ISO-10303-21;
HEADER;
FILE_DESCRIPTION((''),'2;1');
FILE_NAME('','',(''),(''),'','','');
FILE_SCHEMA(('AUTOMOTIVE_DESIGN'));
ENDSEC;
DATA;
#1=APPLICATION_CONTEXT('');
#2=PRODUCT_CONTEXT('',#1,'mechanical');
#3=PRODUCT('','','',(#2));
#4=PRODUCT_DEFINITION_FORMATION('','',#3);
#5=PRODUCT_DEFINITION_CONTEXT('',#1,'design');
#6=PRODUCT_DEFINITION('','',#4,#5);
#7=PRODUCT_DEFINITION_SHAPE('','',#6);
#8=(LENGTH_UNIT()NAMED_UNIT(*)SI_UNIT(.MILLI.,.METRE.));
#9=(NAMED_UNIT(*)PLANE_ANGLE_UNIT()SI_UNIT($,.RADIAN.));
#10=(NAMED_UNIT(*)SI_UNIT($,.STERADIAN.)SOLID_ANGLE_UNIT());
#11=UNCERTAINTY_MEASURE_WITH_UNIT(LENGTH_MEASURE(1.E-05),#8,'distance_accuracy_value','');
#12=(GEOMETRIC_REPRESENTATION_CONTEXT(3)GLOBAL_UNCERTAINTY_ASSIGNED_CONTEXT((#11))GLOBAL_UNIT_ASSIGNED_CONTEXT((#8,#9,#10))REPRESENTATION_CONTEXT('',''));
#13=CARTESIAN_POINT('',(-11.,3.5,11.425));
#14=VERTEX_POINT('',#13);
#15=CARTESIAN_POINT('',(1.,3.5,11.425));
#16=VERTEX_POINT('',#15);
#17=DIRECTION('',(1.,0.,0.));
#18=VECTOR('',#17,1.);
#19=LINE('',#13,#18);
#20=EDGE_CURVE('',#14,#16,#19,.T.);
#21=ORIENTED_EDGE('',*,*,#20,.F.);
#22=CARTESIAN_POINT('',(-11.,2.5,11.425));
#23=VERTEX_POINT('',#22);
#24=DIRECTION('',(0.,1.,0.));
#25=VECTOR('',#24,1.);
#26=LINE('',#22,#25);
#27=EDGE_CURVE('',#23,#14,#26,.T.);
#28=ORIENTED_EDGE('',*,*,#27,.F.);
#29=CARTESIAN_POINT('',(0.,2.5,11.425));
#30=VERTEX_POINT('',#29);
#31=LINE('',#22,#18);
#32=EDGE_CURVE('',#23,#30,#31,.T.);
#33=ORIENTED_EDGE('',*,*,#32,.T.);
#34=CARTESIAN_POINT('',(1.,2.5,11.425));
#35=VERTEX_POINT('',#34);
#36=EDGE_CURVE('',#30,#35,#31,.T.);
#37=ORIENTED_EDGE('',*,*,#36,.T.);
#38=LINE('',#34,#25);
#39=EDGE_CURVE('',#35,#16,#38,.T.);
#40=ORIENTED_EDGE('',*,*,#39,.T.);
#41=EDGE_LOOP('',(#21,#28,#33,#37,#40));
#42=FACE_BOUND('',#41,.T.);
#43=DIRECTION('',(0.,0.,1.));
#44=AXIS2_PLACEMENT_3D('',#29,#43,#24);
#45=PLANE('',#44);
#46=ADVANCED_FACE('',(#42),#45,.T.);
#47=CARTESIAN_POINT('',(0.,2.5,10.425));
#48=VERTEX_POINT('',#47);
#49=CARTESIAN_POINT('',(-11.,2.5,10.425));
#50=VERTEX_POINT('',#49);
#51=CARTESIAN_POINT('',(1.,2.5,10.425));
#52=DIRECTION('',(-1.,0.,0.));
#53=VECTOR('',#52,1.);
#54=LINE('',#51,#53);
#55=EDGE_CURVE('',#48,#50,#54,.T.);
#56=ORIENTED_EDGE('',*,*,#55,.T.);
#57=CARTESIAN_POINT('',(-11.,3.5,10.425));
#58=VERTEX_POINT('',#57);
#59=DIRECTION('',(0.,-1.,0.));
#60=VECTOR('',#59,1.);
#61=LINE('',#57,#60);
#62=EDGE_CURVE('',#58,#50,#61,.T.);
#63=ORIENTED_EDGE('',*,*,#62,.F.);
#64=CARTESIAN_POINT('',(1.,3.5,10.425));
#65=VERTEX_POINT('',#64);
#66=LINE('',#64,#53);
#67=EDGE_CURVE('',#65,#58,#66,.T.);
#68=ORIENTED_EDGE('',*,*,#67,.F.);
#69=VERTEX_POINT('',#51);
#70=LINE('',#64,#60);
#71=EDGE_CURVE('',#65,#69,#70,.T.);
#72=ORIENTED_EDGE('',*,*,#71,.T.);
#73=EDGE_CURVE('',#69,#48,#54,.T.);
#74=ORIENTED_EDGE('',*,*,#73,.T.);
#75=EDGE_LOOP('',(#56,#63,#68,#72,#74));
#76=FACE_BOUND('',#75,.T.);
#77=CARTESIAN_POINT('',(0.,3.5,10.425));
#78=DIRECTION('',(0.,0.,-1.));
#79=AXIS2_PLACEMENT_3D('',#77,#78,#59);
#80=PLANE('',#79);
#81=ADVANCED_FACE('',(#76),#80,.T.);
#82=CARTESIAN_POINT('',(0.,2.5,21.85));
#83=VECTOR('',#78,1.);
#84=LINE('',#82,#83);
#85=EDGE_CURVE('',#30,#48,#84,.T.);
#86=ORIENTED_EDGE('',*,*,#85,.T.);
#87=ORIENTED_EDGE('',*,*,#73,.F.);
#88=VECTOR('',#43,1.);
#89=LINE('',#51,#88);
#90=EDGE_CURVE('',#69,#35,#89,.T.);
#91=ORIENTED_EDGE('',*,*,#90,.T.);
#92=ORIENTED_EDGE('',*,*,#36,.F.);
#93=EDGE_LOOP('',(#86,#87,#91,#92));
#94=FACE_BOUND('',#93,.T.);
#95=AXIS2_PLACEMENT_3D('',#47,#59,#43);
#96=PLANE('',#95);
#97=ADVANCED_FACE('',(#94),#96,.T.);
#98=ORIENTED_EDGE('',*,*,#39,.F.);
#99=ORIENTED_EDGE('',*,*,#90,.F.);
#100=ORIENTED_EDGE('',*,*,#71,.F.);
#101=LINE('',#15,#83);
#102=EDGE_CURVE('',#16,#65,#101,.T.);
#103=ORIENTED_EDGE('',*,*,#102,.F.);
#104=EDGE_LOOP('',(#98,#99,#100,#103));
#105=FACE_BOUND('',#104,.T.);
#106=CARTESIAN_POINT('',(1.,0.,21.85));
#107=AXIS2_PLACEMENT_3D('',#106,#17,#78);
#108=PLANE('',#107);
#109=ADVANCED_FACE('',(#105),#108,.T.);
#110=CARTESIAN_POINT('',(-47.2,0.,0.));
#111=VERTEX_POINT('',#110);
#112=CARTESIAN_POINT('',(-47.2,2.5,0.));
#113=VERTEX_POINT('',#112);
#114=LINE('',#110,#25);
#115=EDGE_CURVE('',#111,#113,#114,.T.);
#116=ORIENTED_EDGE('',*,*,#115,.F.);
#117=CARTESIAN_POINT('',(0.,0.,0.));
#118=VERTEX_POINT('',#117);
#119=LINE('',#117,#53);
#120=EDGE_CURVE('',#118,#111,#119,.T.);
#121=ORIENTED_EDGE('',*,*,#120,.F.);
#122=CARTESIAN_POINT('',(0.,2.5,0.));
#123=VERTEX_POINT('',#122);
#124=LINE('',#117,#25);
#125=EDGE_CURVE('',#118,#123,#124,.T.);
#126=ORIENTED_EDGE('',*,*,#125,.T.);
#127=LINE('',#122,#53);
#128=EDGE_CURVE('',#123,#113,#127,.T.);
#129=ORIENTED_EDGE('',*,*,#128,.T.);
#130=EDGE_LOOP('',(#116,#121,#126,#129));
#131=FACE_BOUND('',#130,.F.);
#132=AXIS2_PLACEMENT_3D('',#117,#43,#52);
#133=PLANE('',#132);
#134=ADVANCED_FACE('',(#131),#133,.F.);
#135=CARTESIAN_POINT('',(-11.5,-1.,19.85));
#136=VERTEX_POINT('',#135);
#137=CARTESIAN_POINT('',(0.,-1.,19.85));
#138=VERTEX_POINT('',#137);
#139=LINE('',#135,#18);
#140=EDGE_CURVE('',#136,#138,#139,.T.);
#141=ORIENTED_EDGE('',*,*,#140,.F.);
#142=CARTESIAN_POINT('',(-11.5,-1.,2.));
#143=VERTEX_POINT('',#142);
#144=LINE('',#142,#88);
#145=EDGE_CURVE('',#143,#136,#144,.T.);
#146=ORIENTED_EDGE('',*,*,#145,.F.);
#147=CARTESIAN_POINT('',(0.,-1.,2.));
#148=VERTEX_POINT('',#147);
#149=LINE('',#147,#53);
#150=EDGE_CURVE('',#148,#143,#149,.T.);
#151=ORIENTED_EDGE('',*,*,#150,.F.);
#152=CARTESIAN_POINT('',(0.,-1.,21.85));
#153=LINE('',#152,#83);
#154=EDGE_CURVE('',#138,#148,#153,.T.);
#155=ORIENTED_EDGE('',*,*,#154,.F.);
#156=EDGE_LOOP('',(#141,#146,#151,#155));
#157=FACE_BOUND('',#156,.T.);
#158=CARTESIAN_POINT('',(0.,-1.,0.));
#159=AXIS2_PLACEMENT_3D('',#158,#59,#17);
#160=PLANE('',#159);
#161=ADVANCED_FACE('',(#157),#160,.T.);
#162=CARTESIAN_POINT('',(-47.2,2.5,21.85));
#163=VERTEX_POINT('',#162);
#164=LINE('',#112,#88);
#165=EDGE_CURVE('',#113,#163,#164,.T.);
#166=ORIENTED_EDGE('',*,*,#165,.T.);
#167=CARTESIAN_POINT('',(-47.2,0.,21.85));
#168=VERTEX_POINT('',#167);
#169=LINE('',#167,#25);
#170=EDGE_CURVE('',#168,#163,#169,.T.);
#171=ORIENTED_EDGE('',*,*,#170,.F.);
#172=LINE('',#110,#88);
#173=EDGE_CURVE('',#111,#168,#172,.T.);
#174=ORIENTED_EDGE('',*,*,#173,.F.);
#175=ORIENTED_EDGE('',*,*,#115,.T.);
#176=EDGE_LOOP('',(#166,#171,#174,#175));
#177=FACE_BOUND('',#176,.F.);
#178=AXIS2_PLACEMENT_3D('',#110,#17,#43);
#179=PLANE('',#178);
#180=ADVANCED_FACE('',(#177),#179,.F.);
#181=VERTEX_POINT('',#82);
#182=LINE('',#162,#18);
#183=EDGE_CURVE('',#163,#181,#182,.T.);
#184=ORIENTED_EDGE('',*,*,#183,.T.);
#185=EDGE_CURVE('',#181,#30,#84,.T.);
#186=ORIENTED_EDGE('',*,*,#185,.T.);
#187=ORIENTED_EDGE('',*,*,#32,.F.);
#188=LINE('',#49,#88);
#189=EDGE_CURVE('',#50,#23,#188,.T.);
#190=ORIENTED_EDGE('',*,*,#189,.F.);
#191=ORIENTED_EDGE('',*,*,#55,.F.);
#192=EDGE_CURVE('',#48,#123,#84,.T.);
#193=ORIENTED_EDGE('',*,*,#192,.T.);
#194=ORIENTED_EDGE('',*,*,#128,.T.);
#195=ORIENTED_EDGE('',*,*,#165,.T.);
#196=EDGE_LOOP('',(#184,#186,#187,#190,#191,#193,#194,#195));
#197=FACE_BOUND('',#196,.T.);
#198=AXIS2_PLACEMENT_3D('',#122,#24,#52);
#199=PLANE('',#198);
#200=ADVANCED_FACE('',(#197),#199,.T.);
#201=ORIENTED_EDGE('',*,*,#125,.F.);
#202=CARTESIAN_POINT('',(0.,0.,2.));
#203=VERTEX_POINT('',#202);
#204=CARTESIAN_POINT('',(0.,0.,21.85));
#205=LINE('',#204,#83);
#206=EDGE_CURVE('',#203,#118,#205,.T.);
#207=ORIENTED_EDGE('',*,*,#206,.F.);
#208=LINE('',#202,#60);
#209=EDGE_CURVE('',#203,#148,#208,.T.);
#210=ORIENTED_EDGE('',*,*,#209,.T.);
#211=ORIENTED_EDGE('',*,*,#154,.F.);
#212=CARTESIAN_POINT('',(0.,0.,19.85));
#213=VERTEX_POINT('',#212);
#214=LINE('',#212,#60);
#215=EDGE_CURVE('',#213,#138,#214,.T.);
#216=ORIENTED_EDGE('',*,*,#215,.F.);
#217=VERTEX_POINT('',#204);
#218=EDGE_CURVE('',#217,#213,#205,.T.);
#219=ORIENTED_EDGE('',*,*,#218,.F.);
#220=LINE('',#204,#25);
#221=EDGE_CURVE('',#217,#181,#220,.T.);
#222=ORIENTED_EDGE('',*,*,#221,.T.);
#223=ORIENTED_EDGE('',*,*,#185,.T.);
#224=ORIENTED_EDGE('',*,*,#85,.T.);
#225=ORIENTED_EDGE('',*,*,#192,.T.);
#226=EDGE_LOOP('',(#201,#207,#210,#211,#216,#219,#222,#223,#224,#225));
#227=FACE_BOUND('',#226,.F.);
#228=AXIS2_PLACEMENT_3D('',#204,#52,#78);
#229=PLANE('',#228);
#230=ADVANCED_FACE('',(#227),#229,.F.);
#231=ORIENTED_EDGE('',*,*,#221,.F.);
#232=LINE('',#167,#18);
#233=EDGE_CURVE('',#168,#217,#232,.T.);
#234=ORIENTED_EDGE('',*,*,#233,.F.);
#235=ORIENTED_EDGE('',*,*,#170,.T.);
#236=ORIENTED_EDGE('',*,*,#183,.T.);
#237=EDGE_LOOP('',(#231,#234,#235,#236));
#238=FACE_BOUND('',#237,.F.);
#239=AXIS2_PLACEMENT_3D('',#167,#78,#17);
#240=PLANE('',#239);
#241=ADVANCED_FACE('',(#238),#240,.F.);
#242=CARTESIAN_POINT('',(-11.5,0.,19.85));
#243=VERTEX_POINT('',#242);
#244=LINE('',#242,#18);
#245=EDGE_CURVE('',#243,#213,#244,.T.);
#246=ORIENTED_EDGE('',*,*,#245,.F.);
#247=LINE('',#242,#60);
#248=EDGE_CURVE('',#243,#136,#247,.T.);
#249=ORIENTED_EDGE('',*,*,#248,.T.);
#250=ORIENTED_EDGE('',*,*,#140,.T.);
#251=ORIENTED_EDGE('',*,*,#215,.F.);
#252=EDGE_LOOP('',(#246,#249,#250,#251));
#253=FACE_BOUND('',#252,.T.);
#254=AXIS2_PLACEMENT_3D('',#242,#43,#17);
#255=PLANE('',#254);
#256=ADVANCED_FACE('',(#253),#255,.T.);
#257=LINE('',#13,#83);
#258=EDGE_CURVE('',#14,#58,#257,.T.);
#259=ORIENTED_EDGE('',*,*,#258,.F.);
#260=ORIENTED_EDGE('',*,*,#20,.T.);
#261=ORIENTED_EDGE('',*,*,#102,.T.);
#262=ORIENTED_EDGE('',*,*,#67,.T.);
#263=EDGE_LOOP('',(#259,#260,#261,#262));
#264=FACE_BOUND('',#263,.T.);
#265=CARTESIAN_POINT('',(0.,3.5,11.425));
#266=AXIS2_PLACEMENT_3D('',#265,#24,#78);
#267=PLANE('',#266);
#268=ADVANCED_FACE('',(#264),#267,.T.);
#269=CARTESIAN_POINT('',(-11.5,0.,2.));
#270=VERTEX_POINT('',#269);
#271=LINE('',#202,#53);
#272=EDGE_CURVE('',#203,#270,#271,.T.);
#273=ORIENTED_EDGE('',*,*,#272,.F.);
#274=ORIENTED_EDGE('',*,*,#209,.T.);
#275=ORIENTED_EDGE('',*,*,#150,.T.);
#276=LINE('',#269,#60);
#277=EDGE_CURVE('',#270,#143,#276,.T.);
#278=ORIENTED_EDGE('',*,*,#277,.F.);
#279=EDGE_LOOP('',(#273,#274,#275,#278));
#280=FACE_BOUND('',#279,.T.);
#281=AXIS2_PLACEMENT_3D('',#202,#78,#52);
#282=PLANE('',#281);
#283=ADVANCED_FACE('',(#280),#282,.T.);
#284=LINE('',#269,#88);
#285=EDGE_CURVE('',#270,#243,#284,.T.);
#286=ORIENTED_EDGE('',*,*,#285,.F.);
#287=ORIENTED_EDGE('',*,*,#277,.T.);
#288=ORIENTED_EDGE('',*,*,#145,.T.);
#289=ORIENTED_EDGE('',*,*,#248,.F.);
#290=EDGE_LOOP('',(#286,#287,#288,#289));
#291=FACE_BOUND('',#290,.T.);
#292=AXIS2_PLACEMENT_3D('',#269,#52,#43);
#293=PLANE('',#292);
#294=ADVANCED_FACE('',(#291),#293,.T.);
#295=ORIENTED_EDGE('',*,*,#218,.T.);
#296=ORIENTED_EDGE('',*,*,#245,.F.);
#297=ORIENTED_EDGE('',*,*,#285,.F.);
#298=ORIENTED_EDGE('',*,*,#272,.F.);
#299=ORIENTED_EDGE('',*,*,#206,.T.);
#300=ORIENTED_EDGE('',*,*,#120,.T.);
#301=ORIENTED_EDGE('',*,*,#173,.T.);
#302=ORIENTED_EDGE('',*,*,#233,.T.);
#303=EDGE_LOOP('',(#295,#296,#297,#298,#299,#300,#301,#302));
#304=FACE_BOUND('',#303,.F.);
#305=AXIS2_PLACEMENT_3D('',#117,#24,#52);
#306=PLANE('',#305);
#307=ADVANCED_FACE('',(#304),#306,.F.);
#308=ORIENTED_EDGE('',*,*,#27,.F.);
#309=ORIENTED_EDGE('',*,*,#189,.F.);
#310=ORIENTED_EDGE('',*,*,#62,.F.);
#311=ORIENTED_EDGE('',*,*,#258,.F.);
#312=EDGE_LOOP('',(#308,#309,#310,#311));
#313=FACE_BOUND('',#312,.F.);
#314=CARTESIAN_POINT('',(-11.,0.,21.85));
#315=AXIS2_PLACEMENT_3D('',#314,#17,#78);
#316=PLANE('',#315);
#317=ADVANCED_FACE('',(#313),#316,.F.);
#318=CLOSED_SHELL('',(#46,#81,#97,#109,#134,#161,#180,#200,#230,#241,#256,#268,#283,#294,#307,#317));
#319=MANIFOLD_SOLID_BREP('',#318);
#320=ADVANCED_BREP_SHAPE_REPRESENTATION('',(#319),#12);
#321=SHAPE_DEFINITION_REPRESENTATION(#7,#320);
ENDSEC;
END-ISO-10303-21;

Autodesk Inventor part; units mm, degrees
ref_plane "YZ Plane" through (0, 0, 0) normal (1, 0, 0) x (0, 1, 0)
ref_plane "XZ Plane" through (0, 0, 0) normal (0, 1, 0) x (-1, 0, 0)
ref_plane "XY Plane" through (0, 0, 0) normal (0, 0, 1) x (1, 0, 0)
sketch "Skizze2" plane through (0, 0, 0) normal (0, 1, 0) x (-1, 0, 0)
  line L0 (0, 0) -> (47.2, 0)
  line L1 (47.2, 0) -> (47.2, 21.85)
  line L2 (47.2, 21.85) -> (0, 21.85)
  line L3 (0, 21.85) -> (0, 0)
  dimension "d5" = 47.2
  dimension "d6" = 21.85
extrude "Extrusion2" add sketch "Skizze2" along normal blind 2.5
sketch "Skizze3" plane through (0, 0, 21.85) normal (1, 0, 0) x (0, 0, -1)
  line L0 (10.425, 3.5) -> (11.425, 3.5)
  line L1 (11.425, 3.5) -> (11.425, 2.5)
  line L2 (11.425, 2.5) -> (10.425, 2.5)
  line L3 (10.425, 2.5) -> (10.425, 3.5)
  line L4 (0, 2.5) -> (21.85, 2.5) projected
  point P0 (21.85, 0)
  point P1 (10.925, 2.5)
  point P2 (10.925, 2.5)
  point P3 (10.925, 2.5)
  dimension "d9" = 1
  dimension "d10" = 1
extrude "Extrusion3" add sketch "Skizze3" along normal blind 1 and the other way blind 11
sketch "Skizze4" plane through (-47.2, 0, 0) normal (-1, 0, 0) x (0, 0, 1)
  line L0 (4.925, 4.6) -> (16.925, 4.6)
  line L1 (16.925, 4.6) -> (16.925, 0)
  line L2 (16.925, 0) -> (4.925, 0)
  line L3 (4.925, 0) -> (4.925, 4.6)
  line L4 (0, 0) -> (21.85, 0) projected
  point P0 (10.925, 0)
  point P1 (10.925, 0)
  point P2 (10.925, 0)
  dimension "d15" = 12
  dimension "d16" = 4.6
extrude "Extrusion4" [suppressed]
sketch "Skizze5" plane through (0, 0, 0) normal (0, -1, 0) x (1, 0, 0)
  line L0 (-47.2, 17.425) -> (-41, 17.425)
  line L1 (-41, 17.425) -> (-41, 4.425)
  line L2 (-41, 4.425) -> (-47.2, 4.425)
  line L3 (-47.2, 4.425) -> (-47.2, 17.425)
  line L4 (-47.2, 16.925) -> (-61.7, 16.925) projected
  line L5 (-47.2, 4.925) -> (-61.7, 4.925) projected
  line L6 (0, 21.85) -> (0, 0) projected
  line L7 (-11.5, 19.85) -> (0, 19.85)
  line L8 (0, 19.85) -> (0, 2)
  line L9 (0, 2) -> (-11.5, 2)
  line L10 (-11.5, 2) -> (-11.5, 19.85)
  line L11 (-47.2, 21.85) -> (0, 21.85) projected
  line L12 (0, 0) -> (-47.2, 0) projected
  point P0 (0, 19.85)
  dimension "d21" = 6.2
  dimension "d22" = 13
  dimension "d23" = 0.5
  dimension "d24" = 0.5
  dimension "d25" = 11.5
  dimension "d26" = 2
  dimension "d27" = 2
extrude "Extrusion5" add sketch "Skizze5" along normal blind 1 contours L6 L9 L10 L7
ref_plane "Arbeitsebene1" through (-47.2, 0, 10.925) normal (0, 0, 1) x (1, 0, 0)
equation "\"d23\" = d24"
properties part number "hdmi grabber"
